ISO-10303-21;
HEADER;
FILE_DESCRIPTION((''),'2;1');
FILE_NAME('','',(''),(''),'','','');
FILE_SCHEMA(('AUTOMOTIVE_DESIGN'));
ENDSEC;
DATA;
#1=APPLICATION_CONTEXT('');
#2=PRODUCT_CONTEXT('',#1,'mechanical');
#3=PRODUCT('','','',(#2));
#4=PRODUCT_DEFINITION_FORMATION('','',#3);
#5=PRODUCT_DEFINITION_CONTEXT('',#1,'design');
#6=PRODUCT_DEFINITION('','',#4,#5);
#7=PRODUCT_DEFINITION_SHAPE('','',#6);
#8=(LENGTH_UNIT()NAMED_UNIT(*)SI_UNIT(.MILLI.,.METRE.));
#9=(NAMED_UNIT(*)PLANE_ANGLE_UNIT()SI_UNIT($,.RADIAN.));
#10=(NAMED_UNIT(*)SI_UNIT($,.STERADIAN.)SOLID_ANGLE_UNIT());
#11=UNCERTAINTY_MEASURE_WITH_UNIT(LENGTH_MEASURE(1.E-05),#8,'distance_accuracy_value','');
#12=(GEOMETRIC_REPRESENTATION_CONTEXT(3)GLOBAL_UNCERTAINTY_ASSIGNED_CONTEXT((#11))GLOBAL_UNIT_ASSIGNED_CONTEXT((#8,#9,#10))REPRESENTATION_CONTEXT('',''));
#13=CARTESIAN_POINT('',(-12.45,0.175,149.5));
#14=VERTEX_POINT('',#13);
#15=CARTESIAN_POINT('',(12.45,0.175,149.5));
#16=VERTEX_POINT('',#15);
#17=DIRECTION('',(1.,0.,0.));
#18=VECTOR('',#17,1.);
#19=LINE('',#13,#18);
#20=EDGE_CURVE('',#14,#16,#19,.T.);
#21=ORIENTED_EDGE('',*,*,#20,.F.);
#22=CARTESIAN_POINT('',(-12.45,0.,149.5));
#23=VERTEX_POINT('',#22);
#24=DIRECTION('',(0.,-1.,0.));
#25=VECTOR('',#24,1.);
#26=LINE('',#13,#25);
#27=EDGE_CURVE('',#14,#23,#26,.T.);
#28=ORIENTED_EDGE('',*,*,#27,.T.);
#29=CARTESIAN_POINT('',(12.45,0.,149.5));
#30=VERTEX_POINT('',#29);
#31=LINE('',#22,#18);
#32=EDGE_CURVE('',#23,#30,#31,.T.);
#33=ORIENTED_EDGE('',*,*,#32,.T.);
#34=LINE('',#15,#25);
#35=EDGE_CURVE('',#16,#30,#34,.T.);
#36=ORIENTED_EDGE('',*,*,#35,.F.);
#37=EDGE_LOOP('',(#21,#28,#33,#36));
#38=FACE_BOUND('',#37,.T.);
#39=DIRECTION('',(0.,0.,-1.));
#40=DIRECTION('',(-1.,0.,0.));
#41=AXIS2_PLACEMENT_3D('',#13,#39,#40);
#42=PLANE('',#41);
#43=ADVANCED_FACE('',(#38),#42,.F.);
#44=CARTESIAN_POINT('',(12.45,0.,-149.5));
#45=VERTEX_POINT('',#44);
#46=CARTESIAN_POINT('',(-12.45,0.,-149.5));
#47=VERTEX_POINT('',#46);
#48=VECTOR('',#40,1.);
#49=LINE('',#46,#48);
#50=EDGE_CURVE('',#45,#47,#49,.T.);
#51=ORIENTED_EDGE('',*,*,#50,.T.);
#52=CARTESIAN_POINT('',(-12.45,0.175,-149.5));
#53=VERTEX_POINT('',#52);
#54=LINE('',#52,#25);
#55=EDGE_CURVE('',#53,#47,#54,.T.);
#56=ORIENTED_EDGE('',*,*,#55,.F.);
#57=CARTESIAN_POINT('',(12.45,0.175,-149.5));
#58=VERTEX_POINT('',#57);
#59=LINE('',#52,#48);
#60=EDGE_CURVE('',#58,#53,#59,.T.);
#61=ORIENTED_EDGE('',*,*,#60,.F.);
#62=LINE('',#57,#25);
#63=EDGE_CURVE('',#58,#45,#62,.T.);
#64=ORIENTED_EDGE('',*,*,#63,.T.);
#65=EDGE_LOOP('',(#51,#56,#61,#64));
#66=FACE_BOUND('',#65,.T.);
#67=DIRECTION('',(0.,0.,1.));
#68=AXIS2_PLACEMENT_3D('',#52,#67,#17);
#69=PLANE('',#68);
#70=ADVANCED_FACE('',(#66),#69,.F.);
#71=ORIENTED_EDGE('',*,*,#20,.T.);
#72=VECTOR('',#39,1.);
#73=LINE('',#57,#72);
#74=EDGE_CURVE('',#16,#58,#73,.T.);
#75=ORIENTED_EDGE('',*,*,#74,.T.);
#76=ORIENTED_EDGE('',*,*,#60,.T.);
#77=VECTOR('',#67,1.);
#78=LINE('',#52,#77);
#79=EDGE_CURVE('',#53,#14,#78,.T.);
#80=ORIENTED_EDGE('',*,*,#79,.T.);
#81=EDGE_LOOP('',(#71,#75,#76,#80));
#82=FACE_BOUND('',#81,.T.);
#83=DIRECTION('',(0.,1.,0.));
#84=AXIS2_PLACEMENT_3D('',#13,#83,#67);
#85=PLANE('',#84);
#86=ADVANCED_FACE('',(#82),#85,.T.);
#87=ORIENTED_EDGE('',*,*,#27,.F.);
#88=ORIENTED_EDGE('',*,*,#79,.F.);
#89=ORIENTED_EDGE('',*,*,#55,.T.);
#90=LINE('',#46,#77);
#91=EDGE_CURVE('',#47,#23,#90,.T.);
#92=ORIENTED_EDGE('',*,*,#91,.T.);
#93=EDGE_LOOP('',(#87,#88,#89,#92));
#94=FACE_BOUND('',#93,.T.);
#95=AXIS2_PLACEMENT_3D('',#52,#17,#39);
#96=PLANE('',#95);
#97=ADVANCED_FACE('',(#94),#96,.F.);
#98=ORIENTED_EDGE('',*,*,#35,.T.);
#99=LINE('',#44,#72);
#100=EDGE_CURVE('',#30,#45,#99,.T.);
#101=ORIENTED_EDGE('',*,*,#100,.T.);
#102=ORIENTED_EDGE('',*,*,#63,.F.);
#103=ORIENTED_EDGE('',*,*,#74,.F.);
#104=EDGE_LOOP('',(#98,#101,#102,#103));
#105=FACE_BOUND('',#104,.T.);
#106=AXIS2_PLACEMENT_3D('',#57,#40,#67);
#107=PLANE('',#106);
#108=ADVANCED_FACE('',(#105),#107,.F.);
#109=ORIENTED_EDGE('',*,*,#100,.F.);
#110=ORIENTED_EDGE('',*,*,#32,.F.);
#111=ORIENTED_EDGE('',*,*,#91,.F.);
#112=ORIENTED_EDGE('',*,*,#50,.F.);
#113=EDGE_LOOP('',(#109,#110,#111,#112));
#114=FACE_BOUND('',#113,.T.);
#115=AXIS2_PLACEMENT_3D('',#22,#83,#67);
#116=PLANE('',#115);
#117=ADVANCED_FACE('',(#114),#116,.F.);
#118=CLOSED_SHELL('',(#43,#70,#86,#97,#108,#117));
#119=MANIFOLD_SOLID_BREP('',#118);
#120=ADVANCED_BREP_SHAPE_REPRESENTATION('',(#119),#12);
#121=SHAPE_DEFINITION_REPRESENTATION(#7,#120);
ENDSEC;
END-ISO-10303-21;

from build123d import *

# Parameters (mm, degrees)
SKETCH1_W      = 24.9
SKETCH1_H      = 299
EXTRUDE1_DEPTH = 0.175


with BuildPart() as part:
    # Sketch1 → Extrude1 (new body)
    with BuildSketch(Plane(origin=(0, 0, 0), x_dir=(1, 0, 0), z_dir=(0, 1, 0))):
        Rectangle(SKETCH1_W, SKETCH1_H)
    extrude(amount=EXTRUDE1_DEPTH)


solid = part.part
